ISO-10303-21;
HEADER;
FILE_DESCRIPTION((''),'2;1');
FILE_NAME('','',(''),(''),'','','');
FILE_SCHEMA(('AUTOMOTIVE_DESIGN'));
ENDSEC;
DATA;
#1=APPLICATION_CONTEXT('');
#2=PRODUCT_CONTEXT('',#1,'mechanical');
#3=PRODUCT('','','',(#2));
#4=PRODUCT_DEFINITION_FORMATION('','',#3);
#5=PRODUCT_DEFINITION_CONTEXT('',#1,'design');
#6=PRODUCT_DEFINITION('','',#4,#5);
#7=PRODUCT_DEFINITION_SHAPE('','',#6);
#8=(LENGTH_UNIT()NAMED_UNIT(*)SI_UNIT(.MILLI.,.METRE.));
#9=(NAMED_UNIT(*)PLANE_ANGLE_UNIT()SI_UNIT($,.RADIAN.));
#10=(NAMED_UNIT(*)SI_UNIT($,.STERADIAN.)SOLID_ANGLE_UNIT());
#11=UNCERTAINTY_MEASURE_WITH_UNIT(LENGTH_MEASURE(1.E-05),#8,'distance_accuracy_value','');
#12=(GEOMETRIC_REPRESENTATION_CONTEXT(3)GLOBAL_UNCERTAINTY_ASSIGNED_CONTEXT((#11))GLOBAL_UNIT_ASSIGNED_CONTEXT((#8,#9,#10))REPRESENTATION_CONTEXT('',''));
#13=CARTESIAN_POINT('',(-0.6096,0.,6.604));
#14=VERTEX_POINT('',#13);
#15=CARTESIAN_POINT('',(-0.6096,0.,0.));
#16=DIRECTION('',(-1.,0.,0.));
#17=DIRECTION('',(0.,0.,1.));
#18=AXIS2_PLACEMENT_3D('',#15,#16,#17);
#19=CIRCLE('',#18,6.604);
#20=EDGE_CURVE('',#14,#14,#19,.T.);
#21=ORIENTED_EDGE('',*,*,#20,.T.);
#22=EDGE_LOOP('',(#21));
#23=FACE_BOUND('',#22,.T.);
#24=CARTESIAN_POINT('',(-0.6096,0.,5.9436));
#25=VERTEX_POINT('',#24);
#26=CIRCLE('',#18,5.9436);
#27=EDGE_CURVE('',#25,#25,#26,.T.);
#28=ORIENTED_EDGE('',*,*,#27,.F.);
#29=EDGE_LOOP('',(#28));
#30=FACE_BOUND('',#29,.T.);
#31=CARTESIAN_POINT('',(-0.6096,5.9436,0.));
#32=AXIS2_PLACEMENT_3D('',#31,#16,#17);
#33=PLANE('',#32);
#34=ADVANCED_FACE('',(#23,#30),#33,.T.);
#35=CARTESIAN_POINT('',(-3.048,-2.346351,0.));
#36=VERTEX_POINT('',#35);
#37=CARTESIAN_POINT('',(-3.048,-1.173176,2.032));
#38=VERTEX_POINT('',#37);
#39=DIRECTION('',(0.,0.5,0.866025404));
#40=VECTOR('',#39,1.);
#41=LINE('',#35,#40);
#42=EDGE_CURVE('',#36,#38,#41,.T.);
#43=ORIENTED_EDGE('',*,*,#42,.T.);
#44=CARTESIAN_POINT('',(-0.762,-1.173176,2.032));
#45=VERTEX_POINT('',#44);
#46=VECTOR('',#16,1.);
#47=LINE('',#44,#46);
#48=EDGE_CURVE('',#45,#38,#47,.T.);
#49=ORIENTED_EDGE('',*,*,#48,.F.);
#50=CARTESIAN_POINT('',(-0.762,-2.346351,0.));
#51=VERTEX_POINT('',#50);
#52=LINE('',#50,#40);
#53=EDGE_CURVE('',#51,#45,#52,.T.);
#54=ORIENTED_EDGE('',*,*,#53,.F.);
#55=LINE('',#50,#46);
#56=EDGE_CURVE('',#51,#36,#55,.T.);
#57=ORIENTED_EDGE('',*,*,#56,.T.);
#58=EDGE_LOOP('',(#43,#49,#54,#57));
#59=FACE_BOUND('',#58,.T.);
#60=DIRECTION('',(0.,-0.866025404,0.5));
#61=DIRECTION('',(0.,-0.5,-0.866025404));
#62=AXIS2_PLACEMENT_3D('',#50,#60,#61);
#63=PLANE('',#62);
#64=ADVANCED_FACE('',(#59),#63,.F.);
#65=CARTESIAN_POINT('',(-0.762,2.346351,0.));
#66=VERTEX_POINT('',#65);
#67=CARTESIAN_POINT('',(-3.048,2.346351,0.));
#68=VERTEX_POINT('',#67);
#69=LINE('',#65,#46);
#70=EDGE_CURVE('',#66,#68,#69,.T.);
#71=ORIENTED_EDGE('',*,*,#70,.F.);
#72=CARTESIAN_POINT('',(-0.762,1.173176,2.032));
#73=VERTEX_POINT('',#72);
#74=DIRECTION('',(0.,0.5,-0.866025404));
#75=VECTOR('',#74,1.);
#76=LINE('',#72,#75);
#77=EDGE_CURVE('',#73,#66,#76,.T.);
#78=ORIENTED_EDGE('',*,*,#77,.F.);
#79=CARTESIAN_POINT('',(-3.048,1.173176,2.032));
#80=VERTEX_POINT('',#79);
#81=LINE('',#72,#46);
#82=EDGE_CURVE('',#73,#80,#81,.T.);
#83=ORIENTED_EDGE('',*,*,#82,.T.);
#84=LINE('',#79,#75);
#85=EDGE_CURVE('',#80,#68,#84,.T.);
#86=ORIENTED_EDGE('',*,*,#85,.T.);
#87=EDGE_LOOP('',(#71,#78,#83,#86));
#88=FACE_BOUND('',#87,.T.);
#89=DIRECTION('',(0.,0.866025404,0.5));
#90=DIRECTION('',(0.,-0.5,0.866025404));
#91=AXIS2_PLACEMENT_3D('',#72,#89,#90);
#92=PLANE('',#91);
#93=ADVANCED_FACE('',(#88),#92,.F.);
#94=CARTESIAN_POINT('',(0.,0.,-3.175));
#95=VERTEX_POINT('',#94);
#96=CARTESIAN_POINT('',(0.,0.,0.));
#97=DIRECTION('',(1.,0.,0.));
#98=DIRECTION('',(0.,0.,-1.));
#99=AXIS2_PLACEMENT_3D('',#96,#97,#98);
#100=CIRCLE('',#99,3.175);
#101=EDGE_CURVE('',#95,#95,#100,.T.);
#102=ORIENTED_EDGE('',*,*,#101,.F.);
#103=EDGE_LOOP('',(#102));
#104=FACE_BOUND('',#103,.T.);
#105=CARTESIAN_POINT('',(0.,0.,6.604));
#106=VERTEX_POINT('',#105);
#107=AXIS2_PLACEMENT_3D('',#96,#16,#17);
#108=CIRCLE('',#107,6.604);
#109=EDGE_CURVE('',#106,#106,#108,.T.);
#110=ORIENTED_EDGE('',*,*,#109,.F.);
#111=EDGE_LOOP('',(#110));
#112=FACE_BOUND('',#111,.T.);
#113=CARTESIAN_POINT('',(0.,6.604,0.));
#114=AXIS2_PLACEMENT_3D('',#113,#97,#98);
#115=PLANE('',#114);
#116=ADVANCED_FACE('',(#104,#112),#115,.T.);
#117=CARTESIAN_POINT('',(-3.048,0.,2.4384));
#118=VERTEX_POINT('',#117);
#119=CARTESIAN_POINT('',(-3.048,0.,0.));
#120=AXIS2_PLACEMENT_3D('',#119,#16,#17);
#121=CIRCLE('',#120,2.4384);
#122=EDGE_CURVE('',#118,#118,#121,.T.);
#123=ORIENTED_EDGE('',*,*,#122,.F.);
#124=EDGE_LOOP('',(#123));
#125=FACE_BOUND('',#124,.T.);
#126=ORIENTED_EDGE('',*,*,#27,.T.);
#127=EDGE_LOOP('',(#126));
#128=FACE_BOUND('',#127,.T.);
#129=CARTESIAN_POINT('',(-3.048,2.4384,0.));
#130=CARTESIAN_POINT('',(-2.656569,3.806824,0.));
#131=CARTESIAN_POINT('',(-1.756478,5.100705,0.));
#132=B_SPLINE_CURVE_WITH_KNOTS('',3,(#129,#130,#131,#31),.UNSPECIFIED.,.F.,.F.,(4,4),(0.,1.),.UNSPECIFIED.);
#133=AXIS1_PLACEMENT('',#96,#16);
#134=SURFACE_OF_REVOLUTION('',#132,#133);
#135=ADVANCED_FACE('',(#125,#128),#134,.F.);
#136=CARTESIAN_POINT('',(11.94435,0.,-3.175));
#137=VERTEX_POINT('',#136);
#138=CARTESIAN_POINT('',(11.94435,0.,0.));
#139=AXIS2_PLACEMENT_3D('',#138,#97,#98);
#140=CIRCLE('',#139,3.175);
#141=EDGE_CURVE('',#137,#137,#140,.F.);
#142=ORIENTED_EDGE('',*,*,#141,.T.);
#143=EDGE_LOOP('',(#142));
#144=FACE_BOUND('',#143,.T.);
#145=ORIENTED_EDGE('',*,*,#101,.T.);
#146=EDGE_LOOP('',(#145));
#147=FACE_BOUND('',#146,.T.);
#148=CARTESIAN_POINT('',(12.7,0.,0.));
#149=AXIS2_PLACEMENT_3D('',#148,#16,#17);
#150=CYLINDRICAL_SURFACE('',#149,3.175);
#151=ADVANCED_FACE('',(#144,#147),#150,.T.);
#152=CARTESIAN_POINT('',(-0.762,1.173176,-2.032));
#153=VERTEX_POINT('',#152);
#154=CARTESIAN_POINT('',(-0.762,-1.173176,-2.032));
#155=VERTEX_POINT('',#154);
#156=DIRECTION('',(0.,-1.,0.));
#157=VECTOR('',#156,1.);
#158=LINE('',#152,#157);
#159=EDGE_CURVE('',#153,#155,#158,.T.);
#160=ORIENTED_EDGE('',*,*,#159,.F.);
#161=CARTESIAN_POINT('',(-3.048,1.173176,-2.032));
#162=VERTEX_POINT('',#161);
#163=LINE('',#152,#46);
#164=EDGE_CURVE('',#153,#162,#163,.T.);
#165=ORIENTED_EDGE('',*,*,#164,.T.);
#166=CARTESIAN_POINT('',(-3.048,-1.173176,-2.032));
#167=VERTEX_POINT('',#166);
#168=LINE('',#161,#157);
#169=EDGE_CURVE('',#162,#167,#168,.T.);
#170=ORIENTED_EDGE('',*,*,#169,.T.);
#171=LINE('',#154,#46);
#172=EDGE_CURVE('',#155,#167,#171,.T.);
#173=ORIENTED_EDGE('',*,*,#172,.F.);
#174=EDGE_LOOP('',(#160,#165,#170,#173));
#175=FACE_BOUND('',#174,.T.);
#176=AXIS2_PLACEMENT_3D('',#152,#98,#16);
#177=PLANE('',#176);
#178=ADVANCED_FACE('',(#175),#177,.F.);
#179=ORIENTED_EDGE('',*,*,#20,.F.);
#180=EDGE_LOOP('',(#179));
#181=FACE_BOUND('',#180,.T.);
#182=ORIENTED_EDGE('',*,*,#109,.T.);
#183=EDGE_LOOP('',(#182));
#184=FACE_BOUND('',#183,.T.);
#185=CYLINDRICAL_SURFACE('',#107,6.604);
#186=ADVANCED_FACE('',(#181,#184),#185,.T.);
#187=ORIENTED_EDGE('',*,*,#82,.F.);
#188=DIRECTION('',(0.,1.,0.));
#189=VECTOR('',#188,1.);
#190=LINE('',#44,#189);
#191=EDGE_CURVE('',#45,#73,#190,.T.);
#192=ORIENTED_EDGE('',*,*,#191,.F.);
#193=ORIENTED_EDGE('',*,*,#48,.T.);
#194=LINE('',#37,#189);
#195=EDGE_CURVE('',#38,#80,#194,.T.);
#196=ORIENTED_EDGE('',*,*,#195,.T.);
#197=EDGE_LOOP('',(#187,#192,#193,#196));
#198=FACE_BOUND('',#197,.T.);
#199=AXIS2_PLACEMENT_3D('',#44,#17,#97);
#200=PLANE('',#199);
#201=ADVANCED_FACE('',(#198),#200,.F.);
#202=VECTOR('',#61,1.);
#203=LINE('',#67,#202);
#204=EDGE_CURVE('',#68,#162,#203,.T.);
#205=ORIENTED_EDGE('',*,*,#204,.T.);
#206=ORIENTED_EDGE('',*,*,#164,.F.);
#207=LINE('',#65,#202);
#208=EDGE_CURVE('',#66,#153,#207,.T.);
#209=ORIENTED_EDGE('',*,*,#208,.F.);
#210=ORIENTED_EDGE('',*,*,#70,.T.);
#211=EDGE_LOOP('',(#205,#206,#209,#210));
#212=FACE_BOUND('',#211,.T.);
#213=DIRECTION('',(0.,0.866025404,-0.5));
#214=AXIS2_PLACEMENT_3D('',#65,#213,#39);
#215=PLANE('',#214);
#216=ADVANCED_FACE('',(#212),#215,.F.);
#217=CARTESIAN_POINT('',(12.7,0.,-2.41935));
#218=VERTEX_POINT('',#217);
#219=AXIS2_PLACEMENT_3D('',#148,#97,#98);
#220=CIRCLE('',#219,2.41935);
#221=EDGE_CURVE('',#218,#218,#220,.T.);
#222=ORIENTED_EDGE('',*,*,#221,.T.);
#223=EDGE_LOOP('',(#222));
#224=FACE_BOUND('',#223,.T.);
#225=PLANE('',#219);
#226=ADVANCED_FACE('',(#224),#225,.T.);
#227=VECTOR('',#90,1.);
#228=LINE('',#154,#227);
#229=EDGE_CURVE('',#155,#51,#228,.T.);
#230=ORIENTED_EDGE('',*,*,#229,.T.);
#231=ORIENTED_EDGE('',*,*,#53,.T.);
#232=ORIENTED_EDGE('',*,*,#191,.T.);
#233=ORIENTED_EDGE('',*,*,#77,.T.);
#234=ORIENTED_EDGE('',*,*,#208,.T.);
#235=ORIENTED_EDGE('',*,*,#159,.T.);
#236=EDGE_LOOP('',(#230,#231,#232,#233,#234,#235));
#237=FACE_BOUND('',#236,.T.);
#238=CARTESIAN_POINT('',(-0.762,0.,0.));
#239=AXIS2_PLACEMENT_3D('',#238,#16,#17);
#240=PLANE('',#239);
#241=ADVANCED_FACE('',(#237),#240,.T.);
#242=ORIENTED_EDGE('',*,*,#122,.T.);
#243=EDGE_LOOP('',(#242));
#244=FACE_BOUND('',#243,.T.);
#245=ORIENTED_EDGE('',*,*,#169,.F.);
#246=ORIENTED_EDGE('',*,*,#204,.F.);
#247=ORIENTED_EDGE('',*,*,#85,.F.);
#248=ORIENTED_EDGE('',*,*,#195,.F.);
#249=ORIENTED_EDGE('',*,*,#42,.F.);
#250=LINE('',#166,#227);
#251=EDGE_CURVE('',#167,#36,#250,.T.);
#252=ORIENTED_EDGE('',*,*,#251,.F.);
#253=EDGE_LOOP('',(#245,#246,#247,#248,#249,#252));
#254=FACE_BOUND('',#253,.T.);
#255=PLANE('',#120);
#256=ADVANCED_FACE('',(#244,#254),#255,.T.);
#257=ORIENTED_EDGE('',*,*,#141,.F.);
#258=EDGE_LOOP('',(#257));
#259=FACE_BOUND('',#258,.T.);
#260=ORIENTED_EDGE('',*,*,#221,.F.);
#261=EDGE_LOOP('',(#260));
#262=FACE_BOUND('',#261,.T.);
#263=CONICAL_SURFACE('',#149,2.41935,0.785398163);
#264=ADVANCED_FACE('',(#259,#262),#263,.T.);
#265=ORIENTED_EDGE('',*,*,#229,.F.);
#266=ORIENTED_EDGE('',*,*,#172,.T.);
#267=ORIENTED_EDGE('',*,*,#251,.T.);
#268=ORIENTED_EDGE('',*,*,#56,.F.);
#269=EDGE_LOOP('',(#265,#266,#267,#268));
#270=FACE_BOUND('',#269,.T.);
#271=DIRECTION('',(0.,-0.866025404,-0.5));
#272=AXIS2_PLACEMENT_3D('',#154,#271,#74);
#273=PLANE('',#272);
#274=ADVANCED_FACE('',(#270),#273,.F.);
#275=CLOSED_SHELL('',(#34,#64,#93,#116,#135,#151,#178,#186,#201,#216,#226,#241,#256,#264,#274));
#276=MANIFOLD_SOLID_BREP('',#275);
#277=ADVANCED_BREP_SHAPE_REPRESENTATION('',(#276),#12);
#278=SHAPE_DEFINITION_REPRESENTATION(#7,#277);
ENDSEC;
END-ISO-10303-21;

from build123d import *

# Parameters (mm, degrees)
SKETCH2_R           = 3.175
BOSS_EXTRUDE1_DEPTH = 12.7
CUT_EXTRUDE1_DEPTH  = 2.286
CHAMFER1_SIZE       = 0.75565


with BuildPart() as part:
    # Sketch1 → Revolve1 (revolve)
    with BuildSketch(Plane(origin=(0, 0, 0), x_dir=(-1, 0, 0), z_dir=(0, 0, -1)), mode=Mode.PRIVATE) as revolve1_sk:
        with BuildLine():
            Line((0, 6.604), (0, 0))
            Line((0, 0), (3.048, 0))
            Line((3.048, 0), (3.048, 2.4384))
            add(Edge.make_bspline(
                [(0.6096, 5.9436), (1.756478304, 5.100704659), (2.65656918, 3.806824025), (3.048, 2.4384)],
                knots=[0, 0, 0, 0, 1, 1, 1, 1], degree=3))
            Line((0.6096, 5.9436), (0.6096, 6.604))
            Line((0.6096, 6.604), (0, 6.604))
        make_face()
    revolve(revolve1_sk.sketch.rotate(Axis((0, 0, 0), (-1, 0, 0)), 270), axis=Axis((0, 0, 0), (-1, 0, 0)))

    # Sketch2 → Boss-Extrude1 (add)
    with BuildSketch(Plane(origin=(0, 0, 0), x_dir=(0, 0, -1), z_dir=(1, 0, 0))):
        Circle(SKETCH2_R)
    extrude(amount=BOSS_EXTRUDE1_DEPTH)

    # Sketch3 → Cut-Extrude1 (cut)
    with BuildSketch(Plane.ZY.offset(3.048)):
        Polygon((0, -2.346351494), (2.032, -1.173175747), (2.032, 1.173175747), (0, 2.346351494), (-2.032, 1.173175747), (-2.032, -1.173175747), align=None)
    extrude(amount=-CUT_EXTRUDE1_DEPTH, mode=Mode.SUBTRACT)

    # Chamfer1
    chamfer1_edges = [part.edges().sort_by_distance(p)[0] for p in [
        (12.7, 0, 3.175),
    ]]
    chamfer(chamfer1_edges, length=CHAMFER1_SIZE)


solid = part.part
